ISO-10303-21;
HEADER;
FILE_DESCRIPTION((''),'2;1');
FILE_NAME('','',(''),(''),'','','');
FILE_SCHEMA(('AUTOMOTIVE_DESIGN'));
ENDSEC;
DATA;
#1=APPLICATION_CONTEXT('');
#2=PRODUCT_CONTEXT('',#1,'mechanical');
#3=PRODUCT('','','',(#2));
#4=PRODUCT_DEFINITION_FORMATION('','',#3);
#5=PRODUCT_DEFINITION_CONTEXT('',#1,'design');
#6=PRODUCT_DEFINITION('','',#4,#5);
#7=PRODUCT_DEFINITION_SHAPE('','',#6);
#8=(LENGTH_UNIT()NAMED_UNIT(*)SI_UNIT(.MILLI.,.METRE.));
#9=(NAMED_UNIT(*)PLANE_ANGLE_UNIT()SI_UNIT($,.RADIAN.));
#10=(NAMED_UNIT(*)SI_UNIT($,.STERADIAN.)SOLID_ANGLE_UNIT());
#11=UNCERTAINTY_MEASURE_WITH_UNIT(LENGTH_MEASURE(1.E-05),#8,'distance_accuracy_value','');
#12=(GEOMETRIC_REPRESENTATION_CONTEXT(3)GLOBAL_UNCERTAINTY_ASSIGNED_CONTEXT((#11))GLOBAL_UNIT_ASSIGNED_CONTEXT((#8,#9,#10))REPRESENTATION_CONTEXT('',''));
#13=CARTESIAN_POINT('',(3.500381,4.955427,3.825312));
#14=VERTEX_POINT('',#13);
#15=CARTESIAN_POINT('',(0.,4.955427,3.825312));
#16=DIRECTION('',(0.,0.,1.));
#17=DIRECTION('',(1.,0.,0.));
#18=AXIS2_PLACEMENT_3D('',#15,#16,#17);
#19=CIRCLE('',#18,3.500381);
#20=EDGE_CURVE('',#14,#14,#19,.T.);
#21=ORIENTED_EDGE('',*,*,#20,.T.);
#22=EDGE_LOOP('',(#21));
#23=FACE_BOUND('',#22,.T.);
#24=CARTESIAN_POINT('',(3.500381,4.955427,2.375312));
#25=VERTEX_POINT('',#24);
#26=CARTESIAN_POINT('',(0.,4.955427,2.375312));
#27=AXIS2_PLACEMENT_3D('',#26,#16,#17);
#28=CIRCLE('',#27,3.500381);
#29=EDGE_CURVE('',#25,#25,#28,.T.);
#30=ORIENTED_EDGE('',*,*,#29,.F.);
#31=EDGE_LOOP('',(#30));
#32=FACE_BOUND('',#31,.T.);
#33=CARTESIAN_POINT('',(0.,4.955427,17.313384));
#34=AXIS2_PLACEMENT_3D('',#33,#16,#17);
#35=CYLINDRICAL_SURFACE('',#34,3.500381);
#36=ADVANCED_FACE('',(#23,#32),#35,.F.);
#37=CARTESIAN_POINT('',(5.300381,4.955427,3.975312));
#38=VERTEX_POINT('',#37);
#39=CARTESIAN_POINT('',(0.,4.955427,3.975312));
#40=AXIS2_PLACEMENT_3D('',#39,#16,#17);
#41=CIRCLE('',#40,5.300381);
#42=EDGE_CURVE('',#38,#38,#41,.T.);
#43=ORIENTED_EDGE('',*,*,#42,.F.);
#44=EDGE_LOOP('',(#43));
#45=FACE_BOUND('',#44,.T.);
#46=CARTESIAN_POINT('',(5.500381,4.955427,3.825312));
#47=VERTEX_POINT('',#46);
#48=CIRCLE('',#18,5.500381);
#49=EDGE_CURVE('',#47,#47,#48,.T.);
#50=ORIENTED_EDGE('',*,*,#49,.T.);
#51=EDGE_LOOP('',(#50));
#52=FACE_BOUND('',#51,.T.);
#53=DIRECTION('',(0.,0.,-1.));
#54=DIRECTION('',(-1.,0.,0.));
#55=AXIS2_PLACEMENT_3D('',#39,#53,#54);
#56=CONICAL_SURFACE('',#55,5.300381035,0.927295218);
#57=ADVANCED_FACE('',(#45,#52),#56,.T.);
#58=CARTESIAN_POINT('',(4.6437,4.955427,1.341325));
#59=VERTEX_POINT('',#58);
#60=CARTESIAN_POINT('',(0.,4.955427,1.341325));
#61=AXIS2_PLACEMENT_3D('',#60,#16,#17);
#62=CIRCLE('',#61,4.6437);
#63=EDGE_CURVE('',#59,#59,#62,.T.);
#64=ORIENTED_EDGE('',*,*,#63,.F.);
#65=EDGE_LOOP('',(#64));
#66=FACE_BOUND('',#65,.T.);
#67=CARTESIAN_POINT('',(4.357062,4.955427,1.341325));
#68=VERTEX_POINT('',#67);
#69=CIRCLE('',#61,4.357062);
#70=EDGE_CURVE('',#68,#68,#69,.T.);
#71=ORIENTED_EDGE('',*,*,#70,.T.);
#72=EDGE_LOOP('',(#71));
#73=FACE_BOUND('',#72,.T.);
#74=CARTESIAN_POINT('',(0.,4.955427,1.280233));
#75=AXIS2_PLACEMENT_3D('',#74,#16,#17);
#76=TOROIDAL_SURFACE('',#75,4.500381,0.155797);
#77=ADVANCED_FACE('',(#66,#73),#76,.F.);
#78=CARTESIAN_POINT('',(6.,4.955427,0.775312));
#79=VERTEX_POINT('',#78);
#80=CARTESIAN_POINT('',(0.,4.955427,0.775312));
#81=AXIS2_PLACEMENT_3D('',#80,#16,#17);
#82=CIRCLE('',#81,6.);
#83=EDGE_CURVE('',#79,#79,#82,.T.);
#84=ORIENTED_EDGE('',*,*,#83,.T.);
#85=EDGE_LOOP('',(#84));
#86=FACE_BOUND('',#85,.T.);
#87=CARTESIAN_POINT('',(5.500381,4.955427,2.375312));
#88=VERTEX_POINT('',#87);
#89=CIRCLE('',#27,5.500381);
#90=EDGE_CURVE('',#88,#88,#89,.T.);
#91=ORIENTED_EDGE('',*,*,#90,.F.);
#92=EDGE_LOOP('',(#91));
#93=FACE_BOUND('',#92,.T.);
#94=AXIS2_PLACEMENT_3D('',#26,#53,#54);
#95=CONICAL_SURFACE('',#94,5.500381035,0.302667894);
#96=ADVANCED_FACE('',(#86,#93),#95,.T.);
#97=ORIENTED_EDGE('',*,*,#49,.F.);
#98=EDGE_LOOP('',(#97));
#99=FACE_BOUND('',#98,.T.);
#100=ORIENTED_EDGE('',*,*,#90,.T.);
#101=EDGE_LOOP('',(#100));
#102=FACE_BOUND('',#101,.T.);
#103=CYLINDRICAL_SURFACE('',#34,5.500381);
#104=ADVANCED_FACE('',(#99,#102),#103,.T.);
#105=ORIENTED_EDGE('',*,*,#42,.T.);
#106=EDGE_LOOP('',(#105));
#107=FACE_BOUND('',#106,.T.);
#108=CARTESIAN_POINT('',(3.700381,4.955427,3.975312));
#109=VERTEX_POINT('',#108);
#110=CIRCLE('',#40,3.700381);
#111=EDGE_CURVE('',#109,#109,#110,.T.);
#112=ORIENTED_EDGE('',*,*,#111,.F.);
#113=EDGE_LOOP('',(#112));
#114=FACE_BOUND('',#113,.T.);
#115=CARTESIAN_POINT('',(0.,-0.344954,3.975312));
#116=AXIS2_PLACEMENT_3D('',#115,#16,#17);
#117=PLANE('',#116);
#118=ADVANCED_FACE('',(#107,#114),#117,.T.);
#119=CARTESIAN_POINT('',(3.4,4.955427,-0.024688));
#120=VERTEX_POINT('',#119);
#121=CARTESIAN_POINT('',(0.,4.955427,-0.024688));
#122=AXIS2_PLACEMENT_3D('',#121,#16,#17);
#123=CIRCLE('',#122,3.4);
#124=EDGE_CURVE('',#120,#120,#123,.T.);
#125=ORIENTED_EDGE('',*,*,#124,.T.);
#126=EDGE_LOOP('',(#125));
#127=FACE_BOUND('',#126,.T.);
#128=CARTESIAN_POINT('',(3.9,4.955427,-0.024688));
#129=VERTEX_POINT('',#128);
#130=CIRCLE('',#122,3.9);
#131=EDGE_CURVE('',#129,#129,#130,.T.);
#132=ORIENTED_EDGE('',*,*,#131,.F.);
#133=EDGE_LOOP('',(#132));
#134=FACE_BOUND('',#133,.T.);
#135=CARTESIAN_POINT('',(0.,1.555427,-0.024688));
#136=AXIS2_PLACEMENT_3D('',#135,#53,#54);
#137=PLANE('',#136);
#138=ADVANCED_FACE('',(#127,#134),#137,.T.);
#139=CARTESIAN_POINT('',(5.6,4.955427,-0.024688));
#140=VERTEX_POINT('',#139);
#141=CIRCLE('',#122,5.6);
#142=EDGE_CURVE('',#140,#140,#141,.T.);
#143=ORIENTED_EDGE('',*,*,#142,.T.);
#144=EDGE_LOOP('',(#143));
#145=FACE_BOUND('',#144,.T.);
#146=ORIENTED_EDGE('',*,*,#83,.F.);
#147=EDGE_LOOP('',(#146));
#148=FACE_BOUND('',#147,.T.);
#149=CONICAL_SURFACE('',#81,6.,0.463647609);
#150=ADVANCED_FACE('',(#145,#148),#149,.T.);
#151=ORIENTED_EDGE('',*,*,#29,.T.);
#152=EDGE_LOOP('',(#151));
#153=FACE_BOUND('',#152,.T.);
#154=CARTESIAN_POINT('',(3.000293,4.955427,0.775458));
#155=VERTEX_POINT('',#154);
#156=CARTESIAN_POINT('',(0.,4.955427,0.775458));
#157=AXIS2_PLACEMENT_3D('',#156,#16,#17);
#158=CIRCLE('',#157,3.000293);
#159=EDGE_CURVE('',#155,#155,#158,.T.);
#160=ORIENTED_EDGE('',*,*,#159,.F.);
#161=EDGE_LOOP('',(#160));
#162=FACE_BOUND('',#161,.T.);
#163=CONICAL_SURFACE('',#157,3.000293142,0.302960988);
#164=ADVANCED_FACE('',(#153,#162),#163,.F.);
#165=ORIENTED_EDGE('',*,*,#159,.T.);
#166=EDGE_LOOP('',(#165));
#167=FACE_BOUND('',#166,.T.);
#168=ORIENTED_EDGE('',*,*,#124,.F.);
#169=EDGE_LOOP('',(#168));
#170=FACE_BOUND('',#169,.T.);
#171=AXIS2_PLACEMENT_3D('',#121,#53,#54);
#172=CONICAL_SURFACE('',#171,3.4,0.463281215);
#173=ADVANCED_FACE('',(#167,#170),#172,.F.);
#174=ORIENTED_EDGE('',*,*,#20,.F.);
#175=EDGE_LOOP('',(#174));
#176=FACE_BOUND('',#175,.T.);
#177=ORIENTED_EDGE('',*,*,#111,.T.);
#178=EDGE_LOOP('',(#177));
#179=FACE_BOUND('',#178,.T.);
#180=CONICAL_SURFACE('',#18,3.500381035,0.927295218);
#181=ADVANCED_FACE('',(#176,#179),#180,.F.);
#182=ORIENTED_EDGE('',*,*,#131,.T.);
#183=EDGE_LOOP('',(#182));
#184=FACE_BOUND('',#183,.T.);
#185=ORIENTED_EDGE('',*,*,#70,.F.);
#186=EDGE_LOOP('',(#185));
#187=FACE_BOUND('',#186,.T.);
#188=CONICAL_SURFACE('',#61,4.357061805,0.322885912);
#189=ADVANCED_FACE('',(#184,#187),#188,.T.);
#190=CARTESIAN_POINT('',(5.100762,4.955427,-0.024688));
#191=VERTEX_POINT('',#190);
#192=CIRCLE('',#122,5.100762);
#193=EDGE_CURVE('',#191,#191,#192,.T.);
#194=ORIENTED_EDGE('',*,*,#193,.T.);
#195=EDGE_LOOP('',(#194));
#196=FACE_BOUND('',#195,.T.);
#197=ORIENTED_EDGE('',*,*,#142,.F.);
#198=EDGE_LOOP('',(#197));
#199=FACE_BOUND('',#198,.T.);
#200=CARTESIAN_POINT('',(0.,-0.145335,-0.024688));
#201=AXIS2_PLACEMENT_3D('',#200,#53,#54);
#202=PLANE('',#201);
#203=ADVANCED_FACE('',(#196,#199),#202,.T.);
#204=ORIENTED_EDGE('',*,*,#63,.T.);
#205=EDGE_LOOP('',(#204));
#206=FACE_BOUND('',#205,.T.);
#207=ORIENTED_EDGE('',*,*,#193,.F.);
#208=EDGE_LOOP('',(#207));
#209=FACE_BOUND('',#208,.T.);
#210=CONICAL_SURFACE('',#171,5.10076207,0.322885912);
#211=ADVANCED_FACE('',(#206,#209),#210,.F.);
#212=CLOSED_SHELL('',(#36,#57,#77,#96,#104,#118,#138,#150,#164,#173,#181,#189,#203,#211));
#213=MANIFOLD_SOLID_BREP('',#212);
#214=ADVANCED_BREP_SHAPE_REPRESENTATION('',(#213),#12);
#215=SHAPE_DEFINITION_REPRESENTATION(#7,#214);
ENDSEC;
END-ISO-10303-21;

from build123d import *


with BuildPart() as part:
    # Sketch2 → Revolve1 (revolve)
    with BuildSketch(Plane(origin=(0, 0, 0), x_dir=(0, 0, -1), z_dir=(1, 0, 0)), mode=Mode.PRIVATE) as revolve1_sk:
        with BuildLine():
            Line((0.024688303, 1.555426785), (0.024688303, 1.055426785))
            Line((0.024688303, 1.055426785), (-1.341325441, 0.598364979))
            ThreePointArc((-1.341325441, 0.598364979), (-1.436030164, 0.45504575), (-1.341325441, 0.31172652))
            Line((-1.341325441, 0.31172652), (0.024688303, -0.145335285))
            Line((0.024688303, -0.145335285), (0.024688303, -0.644573215))
            Line((0.024688303, -0.644573215), (-0.775311697, -1.044573215))
            Line((-0.775311697, -1.044573215), (-2.375311697, -0.54495425))
            Line((-2.375311697, -0.54495425), (-3.825311697, -0.54495425))
            Line((-3.825311697, -0.54495425), (-3.975311697, -0.34495425))
            Line((-3.975311697, -0.34495425), (-3.975311697, 1.25504575))
            Line((-3.975311697, 1.25504575), (-3.825311697, 1.45504575))
            Line((-3.825311697, 1.45504575), (-2.375311697, 1.45504575))
            Line((-2.375311697, 1.45504575), (-0.7754582, 1.955133643))
            Line((-0.7754582, 1.955133643), (0.024688303, 1.555426785))
        make_face()
    revolve(revolve1_sk.sketch.rotate(Axis((0, 4.955426785, 17.313384256), (0, 0, -1)), 270), axis=Axis((0, 4.955426785, 17.313384256), (0, 0, -1)))


solid = part.part
